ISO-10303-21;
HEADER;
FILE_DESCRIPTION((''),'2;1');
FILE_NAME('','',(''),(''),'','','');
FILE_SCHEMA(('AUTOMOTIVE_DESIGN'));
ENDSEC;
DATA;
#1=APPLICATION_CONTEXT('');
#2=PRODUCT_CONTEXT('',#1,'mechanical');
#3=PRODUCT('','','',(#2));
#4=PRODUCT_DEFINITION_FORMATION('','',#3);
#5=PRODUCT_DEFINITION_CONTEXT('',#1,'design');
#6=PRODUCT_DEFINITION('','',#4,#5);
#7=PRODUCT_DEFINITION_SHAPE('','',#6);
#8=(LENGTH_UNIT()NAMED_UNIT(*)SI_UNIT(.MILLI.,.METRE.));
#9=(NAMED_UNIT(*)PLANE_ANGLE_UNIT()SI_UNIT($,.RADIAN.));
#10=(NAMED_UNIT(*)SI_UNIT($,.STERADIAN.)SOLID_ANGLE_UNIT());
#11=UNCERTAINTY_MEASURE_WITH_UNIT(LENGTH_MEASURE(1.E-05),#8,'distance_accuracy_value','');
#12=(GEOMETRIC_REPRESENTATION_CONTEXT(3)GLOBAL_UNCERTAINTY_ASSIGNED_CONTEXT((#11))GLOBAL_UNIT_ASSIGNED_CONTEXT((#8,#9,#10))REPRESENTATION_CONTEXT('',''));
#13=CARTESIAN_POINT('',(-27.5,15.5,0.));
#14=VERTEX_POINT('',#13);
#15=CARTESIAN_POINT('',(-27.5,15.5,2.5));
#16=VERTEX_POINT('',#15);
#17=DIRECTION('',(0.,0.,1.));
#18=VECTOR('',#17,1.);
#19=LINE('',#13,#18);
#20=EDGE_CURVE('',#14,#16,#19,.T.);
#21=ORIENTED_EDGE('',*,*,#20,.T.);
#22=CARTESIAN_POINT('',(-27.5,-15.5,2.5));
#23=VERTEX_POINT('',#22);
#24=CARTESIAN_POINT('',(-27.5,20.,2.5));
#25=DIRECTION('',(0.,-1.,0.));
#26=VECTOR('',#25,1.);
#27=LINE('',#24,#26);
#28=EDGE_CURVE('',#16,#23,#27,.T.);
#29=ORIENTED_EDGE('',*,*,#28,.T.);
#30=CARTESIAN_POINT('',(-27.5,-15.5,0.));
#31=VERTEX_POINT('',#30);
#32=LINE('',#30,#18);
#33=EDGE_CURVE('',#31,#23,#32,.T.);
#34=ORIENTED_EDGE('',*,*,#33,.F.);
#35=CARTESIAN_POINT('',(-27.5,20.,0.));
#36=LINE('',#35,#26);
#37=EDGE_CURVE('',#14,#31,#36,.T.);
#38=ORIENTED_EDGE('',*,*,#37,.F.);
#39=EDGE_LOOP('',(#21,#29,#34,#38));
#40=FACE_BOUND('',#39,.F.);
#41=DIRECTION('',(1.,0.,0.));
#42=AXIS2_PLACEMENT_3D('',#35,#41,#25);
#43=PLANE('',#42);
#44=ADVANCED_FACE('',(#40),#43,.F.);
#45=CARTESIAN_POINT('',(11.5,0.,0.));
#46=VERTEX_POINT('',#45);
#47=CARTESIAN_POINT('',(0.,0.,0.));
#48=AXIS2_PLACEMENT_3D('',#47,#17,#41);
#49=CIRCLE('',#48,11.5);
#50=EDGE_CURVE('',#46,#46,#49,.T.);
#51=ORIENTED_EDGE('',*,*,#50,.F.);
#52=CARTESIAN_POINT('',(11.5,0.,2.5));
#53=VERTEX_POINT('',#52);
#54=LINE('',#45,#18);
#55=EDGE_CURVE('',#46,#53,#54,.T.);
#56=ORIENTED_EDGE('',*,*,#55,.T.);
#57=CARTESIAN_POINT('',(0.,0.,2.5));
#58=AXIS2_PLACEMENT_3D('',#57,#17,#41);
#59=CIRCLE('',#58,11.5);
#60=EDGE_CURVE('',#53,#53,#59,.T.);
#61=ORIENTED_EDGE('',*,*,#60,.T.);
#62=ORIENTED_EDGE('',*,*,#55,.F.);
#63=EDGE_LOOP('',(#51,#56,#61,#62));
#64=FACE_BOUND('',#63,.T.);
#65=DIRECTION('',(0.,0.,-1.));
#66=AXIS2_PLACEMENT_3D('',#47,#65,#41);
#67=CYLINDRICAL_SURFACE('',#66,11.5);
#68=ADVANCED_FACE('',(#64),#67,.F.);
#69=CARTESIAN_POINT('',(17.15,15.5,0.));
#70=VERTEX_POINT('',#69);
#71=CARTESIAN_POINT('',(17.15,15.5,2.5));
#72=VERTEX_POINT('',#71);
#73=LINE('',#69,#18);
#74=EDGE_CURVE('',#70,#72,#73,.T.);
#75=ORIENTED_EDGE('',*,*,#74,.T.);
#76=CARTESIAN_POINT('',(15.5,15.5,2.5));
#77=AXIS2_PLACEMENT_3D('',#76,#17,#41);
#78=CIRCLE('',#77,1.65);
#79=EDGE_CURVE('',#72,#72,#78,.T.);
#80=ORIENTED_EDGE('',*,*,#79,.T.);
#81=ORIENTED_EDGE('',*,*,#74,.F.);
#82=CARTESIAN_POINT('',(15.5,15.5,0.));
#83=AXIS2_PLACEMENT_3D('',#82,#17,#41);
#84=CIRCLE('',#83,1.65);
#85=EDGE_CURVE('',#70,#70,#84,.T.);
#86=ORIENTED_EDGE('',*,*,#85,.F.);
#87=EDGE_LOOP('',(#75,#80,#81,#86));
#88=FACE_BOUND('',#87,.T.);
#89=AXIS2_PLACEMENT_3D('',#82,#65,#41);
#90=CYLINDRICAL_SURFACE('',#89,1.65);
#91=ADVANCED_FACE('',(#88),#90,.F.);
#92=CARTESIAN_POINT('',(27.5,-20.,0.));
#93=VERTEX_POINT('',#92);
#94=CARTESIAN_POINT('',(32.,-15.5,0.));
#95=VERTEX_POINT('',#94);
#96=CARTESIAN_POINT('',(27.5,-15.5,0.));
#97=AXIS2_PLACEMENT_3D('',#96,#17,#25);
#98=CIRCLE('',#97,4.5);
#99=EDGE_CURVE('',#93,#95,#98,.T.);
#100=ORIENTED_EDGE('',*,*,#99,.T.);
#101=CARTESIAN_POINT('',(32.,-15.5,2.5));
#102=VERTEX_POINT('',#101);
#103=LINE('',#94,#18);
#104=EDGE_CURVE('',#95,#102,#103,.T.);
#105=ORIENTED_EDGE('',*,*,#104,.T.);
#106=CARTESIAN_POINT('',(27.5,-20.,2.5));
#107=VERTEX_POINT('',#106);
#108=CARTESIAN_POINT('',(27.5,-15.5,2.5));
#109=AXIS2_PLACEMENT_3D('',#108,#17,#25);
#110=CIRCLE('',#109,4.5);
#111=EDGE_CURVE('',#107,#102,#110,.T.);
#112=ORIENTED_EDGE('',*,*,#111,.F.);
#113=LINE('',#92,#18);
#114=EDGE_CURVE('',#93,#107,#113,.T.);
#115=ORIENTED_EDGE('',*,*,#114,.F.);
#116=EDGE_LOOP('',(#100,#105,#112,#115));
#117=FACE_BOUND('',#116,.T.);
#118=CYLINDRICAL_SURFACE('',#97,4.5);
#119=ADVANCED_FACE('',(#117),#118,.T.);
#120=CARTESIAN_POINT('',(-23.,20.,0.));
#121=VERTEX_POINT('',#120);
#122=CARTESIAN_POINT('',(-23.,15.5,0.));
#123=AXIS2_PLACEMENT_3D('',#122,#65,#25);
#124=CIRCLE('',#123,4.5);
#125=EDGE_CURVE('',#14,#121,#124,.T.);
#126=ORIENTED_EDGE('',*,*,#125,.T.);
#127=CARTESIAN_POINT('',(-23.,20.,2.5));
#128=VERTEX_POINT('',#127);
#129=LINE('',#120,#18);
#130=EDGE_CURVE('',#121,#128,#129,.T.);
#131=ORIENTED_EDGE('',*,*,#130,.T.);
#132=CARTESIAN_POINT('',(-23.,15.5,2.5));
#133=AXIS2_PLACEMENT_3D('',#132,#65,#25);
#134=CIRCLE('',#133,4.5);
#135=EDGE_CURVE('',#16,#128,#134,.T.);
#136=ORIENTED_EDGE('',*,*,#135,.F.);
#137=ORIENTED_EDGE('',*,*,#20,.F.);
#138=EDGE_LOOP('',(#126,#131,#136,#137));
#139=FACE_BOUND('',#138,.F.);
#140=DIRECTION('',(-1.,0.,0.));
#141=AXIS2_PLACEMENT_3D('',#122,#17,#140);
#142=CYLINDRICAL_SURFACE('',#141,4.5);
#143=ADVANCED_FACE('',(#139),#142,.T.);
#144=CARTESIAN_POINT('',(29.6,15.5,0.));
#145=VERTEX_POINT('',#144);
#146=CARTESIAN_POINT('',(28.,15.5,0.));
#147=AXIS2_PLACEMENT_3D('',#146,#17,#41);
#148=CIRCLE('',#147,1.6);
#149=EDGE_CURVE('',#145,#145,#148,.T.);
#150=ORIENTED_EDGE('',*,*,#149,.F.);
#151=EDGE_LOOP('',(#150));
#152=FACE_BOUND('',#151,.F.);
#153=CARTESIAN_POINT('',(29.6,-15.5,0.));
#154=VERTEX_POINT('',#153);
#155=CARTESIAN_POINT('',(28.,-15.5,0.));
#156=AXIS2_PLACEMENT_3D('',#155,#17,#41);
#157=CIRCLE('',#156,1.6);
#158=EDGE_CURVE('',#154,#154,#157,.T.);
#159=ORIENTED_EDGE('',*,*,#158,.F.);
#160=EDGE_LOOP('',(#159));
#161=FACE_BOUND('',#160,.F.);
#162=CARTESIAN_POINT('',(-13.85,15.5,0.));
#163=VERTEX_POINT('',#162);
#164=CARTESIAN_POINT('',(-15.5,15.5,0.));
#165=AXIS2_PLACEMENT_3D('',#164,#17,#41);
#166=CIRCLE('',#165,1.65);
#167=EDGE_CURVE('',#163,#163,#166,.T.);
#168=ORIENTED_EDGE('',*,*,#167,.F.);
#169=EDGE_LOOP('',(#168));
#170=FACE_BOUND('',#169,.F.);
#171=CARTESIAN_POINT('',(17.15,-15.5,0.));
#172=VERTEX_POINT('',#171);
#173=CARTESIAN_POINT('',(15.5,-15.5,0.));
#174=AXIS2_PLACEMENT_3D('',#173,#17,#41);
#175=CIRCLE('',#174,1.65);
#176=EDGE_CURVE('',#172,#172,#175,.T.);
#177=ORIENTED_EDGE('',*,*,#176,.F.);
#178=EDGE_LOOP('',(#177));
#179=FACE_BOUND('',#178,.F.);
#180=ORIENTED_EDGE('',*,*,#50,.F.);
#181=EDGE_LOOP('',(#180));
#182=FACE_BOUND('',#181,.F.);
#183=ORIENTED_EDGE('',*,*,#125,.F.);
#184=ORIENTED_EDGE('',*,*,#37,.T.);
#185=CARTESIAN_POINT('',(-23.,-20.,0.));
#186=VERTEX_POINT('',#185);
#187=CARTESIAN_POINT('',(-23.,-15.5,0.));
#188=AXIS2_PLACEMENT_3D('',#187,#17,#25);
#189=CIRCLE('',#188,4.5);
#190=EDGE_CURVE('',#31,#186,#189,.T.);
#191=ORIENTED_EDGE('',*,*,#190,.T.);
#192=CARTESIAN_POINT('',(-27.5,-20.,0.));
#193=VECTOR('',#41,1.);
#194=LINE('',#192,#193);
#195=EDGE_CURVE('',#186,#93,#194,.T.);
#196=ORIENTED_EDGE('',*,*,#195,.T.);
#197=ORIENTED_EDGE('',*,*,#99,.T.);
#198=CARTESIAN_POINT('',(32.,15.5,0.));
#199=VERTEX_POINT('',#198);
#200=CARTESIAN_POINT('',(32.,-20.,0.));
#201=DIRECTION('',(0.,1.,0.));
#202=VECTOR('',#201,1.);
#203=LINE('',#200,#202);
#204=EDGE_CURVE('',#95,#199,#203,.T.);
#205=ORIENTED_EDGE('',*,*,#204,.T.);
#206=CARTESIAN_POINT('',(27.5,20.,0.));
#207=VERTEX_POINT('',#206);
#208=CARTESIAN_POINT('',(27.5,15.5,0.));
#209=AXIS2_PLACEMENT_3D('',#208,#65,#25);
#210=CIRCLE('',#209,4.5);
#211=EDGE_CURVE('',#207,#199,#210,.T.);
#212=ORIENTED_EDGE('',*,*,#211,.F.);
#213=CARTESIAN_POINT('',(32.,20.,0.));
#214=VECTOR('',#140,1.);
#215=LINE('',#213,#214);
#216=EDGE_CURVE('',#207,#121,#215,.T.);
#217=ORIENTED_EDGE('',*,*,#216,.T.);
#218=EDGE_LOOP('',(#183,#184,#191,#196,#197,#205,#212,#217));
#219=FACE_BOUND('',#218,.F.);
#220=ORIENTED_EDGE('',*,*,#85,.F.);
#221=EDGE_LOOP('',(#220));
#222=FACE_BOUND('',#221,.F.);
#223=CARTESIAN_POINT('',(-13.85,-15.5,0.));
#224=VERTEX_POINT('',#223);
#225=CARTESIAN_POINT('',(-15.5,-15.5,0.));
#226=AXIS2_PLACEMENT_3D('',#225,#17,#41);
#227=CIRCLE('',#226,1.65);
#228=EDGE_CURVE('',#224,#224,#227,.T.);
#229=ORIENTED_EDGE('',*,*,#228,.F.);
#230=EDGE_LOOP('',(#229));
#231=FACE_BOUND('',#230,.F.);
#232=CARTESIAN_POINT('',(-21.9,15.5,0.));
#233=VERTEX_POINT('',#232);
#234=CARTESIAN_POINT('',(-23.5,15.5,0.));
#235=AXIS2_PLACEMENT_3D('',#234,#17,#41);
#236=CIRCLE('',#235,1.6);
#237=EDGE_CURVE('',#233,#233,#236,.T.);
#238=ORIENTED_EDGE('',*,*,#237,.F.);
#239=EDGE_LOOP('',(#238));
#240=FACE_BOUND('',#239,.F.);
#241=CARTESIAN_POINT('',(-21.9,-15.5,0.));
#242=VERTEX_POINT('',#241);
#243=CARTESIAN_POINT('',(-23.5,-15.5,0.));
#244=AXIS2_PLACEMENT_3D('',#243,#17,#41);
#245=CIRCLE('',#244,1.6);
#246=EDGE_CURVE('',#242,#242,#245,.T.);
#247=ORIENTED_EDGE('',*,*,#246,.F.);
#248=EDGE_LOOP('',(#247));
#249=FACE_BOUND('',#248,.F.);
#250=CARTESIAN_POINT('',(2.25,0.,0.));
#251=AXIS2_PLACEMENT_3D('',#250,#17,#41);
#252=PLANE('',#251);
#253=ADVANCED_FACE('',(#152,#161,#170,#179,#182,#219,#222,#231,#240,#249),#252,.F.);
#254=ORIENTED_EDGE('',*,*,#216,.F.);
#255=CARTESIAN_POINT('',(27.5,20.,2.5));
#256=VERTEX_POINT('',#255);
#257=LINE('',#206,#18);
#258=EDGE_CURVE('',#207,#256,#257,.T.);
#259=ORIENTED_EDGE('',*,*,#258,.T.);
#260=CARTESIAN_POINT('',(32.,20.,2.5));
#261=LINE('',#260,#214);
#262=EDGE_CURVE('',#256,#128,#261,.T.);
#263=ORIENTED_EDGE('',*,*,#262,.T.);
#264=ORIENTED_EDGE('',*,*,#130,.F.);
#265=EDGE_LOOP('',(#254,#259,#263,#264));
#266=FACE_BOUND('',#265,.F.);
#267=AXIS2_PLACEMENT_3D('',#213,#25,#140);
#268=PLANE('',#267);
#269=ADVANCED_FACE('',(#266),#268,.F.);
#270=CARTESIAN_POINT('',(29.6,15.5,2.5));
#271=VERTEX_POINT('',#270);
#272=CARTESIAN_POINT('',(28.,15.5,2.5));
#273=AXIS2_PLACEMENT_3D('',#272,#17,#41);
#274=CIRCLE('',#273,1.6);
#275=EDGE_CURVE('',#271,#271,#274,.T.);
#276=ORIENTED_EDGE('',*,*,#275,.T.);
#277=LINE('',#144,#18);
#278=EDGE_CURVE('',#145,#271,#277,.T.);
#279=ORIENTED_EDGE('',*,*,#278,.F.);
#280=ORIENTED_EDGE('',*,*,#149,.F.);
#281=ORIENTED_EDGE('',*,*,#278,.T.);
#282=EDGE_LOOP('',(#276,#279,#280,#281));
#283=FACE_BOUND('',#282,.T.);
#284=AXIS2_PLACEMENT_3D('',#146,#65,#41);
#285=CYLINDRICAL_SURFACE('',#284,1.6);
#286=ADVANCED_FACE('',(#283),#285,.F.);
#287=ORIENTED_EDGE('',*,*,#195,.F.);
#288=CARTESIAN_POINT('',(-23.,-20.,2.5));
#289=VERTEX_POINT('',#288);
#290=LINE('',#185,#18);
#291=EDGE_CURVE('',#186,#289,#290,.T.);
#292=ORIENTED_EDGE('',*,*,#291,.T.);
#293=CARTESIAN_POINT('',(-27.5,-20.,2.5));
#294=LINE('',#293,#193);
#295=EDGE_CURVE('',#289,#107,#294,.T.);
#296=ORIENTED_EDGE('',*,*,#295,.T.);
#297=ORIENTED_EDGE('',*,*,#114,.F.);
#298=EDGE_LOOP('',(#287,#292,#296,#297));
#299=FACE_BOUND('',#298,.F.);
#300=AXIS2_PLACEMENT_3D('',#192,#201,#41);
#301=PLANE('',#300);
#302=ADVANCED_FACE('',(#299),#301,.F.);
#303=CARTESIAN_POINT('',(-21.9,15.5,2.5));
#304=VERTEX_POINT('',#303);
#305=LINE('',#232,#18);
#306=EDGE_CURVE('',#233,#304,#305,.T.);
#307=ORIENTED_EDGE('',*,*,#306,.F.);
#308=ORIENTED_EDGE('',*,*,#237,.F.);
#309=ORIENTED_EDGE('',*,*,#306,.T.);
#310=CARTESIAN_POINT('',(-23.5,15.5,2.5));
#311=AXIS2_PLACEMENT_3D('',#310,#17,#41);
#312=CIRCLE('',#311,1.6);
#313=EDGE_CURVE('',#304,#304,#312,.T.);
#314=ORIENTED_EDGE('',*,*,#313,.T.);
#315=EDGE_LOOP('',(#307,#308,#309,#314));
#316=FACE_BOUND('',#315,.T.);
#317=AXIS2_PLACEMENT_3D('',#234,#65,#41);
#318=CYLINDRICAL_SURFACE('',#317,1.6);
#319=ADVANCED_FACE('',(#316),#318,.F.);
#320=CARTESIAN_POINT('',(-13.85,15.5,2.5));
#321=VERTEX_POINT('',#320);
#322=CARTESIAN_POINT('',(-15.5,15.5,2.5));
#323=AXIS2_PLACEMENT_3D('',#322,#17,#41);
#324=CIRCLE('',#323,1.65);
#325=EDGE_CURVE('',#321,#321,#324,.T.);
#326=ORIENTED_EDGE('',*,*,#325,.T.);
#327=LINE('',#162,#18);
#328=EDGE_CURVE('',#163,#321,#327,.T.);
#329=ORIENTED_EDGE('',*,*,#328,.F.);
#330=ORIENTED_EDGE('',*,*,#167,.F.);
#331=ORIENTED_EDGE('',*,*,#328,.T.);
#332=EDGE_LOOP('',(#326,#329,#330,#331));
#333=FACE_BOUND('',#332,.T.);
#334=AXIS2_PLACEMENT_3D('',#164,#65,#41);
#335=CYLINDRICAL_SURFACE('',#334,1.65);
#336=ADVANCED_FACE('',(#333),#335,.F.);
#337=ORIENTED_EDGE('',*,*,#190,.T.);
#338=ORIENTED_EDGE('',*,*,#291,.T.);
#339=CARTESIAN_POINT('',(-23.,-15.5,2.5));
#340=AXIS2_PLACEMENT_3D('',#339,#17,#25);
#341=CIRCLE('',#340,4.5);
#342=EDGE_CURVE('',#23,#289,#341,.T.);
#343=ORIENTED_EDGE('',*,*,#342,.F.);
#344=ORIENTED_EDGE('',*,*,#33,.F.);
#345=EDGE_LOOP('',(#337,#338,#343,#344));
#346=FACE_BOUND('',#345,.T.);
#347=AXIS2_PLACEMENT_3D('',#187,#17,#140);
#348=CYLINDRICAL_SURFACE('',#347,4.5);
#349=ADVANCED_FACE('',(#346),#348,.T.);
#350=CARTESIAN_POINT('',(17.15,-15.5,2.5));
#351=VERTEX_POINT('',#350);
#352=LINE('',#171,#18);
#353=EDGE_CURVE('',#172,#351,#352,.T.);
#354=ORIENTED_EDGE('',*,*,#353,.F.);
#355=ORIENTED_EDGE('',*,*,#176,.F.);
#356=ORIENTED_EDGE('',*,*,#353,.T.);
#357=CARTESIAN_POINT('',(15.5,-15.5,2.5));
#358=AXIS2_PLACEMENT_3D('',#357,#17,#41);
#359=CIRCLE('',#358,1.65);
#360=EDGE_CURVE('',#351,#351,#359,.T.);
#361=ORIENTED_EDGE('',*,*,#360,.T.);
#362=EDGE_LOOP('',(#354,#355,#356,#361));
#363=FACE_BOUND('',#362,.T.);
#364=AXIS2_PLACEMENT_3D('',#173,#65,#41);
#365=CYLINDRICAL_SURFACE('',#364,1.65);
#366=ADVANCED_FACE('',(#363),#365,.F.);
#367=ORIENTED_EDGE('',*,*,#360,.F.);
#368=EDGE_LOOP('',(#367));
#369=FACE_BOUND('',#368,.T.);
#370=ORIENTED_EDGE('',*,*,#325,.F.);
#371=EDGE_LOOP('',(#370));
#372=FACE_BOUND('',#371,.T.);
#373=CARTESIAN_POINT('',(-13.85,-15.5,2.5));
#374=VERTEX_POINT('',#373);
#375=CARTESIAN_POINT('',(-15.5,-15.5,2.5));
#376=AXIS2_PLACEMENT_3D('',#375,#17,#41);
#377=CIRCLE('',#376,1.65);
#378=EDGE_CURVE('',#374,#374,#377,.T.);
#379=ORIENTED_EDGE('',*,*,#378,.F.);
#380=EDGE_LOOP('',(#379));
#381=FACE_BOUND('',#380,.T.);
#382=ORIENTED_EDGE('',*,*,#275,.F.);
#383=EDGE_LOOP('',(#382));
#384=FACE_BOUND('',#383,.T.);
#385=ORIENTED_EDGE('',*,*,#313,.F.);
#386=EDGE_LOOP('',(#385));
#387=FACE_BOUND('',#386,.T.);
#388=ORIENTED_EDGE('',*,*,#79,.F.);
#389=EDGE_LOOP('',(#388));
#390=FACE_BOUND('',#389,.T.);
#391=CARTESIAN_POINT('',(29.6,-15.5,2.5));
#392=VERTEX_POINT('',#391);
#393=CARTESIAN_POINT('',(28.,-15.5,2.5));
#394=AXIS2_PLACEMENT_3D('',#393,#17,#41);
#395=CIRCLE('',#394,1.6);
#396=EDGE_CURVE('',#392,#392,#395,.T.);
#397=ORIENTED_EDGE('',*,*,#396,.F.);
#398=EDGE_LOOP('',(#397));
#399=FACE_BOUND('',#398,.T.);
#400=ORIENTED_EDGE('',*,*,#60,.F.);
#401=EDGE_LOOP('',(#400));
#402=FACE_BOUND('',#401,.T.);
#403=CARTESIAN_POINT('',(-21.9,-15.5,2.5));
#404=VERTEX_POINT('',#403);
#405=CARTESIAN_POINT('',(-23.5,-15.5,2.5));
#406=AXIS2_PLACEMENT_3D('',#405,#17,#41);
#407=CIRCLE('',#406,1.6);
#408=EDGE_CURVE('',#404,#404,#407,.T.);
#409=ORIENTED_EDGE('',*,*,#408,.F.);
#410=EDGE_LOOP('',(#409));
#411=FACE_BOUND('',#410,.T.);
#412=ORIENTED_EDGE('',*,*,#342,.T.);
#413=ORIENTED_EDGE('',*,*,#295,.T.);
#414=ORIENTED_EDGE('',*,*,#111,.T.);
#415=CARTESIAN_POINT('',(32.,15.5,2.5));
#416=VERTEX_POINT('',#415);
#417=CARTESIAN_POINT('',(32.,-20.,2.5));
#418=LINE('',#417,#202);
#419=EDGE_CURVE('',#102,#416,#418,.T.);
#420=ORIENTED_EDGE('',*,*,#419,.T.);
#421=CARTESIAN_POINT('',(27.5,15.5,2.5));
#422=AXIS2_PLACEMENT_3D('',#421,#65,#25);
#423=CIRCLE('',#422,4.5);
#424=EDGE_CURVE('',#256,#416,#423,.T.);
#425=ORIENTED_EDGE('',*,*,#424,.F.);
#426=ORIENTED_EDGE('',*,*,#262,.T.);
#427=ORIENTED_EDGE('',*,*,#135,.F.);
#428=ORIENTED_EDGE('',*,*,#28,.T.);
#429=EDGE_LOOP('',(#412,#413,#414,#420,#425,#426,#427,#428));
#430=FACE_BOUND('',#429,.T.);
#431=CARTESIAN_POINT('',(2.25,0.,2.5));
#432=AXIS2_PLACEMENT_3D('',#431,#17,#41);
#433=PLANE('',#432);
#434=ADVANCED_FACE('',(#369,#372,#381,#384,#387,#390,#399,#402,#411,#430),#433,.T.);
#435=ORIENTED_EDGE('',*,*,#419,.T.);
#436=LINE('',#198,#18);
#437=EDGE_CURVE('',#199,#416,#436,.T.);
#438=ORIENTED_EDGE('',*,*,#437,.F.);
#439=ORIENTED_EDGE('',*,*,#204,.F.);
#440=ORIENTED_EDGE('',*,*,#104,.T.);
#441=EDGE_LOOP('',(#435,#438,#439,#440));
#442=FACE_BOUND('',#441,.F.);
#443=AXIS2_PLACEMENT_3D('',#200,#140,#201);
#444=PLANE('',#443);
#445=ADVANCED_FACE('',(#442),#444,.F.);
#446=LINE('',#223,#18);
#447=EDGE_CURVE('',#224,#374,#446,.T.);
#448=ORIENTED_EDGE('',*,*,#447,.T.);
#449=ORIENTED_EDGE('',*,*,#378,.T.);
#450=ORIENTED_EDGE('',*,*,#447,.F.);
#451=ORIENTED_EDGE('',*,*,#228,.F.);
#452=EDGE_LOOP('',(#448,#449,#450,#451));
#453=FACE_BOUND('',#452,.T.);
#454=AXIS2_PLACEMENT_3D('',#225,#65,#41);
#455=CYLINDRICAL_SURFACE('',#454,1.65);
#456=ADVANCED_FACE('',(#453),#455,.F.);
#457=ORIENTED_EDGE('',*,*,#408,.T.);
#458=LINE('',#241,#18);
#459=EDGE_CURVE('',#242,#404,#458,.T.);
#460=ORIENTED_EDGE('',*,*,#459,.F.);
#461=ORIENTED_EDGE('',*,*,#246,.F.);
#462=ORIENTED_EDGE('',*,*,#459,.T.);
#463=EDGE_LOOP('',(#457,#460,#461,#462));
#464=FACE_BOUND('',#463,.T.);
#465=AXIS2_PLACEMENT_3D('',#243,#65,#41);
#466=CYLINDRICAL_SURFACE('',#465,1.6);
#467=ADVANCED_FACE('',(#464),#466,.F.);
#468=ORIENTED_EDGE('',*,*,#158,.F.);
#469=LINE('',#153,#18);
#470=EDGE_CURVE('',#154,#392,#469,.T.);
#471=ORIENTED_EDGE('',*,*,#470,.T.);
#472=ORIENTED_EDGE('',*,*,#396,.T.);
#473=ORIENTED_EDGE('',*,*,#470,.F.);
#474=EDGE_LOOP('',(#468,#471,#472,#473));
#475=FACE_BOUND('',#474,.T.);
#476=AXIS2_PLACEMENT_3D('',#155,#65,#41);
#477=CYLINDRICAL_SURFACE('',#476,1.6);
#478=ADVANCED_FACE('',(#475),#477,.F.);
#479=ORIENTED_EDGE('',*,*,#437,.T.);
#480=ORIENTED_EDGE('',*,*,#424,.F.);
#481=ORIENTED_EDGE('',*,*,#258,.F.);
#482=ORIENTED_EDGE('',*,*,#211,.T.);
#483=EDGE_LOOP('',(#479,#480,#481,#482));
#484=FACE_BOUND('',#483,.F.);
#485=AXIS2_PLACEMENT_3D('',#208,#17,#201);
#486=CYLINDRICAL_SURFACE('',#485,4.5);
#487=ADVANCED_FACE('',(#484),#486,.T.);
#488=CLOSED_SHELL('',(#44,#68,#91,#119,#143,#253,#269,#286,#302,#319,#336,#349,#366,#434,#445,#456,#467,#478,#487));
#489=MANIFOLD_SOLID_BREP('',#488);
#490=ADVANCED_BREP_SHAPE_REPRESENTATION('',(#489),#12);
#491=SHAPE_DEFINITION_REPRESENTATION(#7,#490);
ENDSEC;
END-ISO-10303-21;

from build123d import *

# Parameters (mm, degrees)
SKETCH_R   = 1.65
SKETCH_R_2 = 11.5
SKETCH_R_3 = 1.6
PAD_DEPTH  = 2.5
FILLET_R   = 4.5


with BuildPart() as part:
    # Sketch → Pad (new body)
    with BuildSketch(Plane.XY):
        Polygon((20, 20), (-20, 20), (-27.5, 20), (-27.5, -20), (-20, -20), (20, -20), (32, -20), (32, 20), align=None)
        with Locations((-15.5, 15.5)):
            Circle(SKETCH_R, mode=Mode.SUBTRACT)
        with Locations((15.5, 15.5)):
            Circle(SKETCH_R, mode=Mode.SUBTRACT)
        with Locations((15.5, -15.5)):
            Circle(SKETCH_R, mode=Mode.SUBTRACT)
        with Locations((-15.5, -15.5)):
            Circle(SKETCH_R, mode=Mode.SUBTRACT)
        Circle(SKETCH_R_2, mode=Mode.SUBTRACT)
        with Locations((-23.5, 15.5)):
            Circle(SKETCH_R_3, mode=Mode.SUBTRACT)
        with Locations((-23.5, -15.5)):
            Circle(SKETCH_R_3, mode=Mode.SUBTRACT)
        with Locations((28, 15.5)):
            Circle(SKETCH_R_3, mode=Mode.SUBTRACT)
        with Locations((28, -15.5)):
            Circle(SKETCH_R_3, mode=Mode.SUBTRACT)
    extrude(amount=PAD_DEPTH)

    # Fillet
    fillet_edges = [part.edges().sort_by_distance(p)[0] for p in [
        (32, -20, 1.25),
        (32, 20, 1.25),
        (-27.5, 20, 1.25),
        (-27.5, -20, 1.25),
    ]]
    fillet(fillet_edges, radius=FILLET_R)


solid = part.part
